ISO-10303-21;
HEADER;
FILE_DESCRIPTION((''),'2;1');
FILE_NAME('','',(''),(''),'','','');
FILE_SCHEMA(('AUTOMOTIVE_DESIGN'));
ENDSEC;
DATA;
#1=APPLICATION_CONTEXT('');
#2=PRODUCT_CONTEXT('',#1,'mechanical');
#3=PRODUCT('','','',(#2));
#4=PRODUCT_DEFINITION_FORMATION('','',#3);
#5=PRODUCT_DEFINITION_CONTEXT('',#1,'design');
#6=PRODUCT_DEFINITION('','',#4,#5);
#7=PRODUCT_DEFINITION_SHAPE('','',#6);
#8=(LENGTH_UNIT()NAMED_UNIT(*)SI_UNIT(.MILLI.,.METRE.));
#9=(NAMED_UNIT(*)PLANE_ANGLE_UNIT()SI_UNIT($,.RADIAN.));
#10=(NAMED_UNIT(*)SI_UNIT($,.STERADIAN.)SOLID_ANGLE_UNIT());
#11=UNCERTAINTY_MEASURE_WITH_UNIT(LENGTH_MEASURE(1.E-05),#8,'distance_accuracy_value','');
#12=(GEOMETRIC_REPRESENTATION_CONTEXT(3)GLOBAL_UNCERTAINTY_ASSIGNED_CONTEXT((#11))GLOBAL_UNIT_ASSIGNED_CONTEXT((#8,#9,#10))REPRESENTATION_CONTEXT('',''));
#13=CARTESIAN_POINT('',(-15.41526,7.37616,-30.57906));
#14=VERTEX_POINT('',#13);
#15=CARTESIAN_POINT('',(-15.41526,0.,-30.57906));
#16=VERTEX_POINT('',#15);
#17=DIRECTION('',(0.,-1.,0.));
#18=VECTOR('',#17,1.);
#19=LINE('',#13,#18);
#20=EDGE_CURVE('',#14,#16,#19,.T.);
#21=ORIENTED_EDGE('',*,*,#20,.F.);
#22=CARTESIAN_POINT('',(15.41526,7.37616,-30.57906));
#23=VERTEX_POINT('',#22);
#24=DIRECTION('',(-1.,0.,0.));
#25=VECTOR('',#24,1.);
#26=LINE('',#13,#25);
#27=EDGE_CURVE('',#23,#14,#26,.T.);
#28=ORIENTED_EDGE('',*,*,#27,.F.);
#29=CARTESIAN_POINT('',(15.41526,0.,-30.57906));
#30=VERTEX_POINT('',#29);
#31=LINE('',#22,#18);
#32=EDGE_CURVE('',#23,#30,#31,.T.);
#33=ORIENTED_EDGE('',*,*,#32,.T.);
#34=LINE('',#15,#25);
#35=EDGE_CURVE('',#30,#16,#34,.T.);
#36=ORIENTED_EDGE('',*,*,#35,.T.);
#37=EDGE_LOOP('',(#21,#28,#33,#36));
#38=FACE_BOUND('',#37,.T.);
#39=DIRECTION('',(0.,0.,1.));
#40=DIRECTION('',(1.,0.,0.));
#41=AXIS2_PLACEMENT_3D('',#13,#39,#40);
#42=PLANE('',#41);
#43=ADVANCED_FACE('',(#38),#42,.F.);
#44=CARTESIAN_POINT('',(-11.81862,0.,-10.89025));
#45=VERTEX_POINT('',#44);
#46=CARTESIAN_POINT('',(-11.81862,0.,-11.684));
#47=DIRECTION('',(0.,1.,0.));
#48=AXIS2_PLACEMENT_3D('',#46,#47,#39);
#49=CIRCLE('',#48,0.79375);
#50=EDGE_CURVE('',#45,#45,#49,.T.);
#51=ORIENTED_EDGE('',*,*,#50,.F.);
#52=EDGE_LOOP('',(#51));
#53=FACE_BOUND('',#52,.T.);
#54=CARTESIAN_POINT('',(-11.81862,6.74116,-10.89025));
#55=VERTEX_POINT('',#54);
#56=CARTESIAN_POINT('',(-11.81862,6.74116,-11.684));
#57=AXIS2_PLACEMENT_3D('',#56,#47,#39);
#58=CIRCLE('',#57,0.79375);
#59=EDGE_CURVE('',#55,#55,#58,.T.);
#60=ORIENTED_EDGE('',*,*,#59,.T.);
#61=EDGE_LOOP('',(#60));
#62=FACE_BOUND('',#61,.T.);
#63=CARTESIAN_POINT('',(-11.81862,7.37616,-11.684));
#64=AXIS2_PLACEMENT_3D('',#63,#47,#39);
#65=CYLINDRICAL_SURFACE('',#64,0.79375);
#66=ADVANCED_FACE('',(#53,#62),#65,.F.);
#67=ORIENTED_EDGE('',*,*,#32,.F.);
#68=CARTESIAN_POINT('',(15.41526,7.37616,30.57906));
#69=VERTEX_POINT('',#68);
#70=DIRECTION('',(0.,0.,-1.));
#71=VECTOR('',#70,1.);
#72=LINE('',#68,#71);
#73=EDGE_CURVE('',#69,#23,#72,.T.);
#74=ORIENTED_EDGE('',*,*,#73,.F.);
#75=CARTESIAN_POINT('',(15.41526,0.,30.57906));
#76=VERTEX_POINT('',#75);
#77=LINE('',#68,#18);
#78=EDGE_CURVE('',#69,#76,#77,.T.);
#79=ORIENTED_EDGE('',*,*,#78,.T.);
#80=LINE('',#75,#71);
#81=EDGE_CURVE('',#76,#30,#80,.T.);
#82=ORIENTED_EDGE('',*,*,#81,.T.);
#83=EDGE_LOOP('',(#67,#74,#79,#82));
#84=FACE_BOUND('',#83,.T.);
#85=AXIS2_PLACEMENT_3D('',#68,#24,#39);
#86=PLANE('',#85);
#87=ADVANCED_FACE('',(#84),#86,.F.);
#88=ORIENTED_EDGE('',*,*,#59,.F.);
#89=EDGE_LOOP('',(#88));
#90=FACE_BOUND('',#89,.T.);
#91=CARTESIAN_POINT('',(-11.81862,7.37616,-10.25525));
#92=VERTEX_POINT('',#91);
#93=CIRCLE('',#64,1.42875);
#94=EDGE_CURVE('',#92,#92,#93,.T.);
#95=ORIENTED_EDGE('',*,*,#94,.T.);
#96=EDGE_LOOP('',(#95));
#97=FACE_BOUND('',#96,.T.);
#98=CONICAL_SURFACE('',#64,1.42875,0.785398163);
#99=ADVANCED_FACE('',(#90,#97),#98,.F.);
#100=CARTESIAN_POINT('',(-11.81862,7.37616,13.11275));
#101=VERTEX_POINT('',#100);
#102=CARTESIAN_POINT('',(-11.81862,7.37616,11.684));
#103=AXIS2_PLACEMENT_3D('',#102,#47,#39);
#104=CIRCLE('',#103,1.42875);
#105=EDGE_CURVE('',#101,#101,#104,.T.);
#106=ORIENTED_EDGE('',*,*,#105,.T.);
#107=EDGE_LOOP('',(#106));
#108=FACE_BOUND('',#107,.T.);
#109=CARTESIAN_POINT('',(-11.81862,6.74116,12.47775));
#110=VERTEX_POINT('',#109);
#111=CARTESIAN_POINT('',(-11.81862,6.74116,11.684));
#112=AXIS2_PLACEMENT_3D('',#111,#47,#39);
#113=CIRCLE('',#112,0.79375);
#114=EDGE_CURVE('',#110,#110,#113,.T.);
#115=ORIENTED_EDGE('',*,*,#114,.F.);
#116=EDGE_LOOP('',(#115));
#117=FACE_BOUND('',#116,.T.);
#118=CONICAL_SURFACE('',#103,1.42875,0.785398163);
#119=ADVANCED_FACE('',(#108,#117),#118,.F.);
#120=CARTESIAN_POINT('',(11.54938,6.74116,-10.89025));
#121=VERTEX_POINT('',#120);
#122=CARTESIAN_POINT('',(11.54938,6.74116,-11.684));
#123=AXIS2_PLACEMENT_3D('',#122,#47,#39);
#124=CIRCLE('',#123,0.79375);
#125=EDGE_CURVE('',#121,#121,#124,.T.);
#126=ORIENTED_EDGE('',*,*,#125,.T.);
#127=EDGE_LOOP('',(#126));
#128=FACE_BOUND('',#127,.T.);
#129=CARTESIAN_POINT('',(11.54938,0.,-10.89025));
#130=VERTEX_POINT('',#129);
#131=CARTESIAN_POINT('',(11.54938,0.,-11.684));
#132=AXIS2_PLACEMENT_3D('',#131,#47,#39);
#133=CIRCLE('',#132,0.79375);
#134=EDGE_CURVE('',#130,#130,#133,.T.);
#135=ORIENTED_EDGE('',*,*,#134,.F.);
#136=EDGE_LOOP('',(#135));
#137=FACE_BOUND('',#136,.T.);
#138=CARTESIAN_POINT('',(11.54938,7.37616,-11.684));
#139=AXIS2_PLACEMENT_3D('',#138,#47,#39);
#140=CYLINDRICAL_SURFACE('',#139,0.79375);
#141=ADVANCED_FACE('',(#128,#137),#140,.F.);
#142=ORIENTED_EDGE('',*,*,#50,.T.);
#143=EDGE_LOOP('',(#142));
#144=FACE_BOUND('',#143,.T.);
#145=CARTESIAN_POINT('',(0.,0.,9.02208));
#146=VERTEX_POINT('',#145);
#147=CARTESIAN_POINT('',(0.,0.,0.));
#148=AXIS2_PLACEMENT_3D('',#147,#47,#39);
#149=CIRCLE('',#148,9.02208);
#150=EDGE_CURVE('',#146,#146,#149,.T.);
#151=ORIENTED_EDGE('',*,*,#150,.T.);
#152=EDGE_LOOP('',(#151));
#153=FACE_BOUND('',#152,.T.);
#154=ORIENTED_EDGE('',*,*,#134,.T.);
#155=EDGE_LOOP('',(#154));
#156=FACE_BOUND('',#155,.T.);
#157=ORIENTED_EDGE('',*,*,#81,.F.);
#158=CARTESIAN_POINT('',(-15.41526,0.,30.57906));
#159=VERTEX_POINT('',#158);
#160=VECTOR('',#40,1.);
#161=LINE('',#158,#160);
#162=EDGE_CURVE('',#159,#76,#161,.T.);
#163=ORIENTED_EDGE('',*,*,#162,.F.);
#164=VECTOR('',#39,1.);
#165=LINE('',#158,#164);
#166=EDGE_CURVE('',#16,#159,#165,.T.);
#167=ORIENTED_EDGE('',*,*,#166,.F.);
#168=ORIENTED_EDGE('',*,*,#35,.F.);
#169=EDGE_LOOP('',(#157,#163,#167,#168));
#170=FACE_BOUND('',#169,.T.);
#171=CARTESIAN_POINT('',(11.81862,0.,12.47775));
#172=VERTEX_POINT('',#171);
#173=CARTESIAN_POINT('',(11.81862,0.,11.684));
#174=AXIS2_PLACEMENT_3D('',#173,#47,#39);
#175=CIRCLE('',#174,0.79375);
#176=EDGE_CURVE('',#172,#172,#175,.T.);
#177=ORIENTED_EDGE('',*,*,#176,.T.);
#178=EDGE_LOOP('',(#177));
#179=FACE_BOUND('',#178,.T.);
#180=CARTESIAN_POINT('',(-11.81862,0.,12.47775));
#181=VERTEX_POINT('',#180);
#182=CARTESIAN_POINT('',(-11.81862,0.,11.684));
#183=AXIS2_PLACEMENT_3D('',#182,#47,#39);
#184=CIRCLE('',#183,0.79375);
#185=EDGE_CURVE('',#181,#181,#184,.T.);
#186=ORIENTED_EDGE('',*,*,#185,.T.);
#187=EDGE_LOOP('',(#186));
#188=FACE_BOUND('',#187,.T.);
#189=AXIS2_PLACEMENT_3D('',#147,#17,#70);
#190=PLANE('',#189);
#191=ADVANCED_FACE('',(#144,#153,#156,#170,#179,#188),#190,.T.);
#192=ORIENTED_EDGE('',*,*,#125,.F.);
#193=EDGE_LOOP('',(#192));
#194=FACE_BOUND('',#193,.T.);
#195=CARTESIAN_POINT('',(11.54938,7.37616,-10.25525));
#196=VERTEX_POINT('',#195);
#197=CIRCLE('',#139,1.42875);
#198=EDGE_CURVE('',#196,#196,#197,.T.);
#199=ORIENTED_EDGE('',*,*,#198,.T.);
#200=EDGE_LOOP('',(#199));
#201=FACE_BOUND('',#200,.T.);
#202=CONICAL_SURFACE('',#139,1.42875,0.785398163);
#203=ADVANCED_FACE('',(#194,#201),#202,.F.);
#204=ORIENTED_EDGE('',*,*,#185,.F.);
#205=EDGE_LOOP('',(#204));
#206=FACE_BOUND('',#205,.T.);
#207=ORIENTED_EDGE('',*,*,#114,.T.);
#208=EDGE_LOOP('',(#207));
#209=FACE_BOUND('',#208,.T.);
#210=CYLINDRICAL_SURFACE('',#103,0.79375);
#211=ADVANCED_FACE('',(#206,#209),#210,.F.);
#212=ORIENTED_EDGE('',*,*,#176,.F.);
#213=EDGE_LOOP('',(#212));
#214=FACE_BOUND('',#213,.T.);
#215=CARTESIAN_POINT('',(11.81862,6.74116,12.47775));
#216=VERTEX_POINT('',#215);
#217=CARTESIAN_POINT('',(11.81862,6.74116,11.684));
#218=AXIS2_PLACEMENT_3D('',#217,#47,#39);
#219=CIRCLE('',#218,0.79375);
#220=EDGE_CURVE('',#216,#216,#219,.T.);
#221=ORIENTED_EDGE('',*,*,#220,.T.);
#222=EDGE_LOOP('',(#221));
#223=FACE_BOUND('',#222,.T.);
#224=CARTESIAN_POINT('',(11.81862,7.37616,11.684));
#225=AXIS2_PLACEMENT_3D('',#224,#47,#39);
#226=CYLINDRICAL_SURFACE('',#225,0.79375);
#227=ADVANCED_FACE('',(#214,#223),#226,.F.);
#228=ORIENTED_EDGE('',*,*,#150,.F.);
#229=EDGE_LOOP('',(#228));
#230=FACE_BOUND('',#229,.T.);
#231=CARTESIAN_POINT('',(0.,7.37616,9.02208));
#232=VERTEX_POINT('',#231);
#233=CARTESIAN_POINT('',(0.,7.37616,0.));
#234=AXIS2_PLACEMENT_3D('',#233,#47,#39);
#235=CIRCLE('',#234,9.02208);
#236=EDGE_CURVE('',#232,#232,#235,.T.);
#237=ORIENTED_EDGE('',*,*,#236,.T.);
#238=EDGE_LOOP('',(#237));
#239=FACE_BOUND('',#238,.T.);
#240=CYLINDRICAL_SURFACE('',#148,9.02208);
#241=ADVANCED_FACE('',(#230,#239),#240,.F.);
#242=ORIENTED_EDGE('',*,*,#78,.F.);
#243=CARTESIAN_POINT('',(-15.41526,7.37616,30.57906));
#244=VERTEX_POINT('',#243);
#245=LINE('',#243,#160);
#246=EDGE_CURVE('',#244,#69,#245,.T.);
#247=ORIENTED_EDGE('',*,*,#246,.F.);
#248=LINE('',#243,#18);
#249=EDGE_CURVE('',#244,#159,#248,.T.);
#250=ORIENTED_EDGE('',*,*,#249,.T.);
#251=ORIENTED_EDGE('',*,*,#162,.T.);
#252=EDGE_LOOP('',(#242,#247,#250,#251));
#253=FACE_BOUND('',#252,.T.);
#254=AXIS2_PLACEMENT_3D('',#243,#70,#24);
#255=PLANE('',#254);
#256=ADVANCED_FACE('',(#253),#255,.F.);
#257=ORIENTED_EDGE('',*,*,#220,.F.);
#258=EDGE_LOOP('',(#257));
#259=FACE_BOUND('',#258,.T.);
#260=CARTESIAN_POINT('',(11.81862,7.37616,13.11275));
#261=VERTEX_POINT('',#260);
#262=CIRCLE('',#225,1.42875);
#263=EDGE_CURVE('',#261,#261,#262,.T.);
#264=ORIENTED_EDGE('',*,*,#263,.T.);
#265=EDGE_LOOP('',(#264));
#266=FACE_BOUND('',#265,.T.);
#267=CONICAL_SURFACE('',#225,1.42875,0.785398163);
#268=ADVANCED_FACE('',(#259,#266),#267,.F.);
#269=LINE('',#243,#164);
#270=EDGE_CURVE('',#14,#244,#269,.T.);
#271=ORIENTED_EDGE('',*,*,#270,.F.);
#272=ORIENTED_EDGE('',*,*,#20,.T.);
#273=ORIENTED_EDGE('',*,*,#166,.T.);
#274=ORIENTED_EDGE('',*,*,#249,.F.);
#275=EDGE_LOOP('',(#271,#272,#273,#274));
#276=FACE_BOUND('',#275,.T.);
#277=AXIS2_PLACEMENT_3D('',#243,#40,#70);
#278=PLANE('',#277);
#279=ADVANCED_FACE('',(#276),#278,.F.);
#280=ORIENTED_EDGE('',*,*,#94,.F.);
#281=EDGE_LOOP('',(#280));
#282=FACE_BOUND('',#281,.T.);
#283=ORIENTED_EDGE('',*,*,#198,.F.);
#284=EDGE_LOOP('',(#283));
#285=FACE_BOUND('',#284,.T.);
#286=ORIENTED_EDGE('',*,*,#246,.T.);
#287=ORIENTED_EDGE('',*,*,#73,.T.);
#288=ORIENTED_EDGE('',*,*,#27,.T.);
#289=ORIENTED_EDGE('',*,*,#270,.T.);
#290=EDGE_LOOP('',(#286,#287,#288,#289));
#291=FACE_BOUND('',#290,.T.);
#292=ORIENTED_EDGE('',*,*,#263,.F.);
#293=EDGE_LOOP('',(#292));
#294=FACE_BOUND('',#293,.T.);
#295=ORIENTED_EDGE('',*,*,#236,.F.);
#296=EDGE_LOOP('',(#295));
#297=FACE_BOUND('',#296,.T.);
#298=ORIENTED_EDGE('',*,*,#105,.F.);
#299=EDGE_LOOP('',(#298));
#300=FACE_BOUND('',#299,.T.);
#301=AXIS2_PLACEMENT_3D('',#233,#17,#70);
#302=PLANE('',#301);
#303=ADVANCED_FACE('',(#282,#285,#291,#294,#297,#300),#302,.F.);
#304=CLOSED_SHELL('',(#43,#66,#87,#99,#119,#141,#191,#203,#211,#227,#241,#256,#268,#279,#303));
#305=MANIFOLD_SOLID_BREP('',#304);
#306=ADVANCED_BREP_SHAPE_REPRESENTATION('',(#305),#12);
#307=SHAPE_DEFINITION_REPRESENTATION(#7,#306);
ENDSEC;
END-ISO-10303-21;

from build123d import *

# Parameters (mm, degrees)
SKETCH1_W                                = 30.83052
SKETCH1_H                                = 61.15812
BOSS_EXTRUDE1_DEPTH                      = 7.37616
SKETCH2_R                                = 9.02208
CUT_EXTRUDE1_DEPTH                       = 36.030228199
F_1_16_0_0625_DIAMETER_HOLE2_D           = 1.5875
F_1_16_0_0625_DIAMETER_HOLE2_CSINK_D     = 2.8575
F_1_16_0_0625_DIAMETER_HOLE2_CSINK_ANGLE = 90


with BuildPart() as part:
    # Sketch1 → Boss-Extrude1 (new body)
    with BuildSketch(Plane(origin=(0, 0, 0), x_dir=(1, 0, 0), z_dir=(0, 1, 0))):
        Rectangle(SKETCH1_W, SKETCH1_H)
    extrude(amount=BOSS_EXTRUDE1_DEPTH)

    # Sketch2 → Cut-Extrude1 (cut, through all)
    with BuildSketch(Plane(origin=(0, 7.37616, 0), x_dir=(1, 0, 0), z_dir=(0, 1, 0))):
        with Locations(Location((0, 0, 0), (0, 0, 270))):
            Circle(SKETCH2_R)
    extrude(amount=-CUT_EXTRUDE1_DEPTH, mode=Mode.SUBTRACT)

    # 1/16 (0.0625) Diameter Hole2 (through all)
    with Locations(Plane(origin=(0, 7.37616, 0), x_dir=(1, 0, 0), z_dir=(0, 1, 0))):
        with Locations((-11.81862, 11.684), (11.54938, 11.684), (11.81862, -11.684), (-11.81862, -11.684)):
            CounterSinkHole(F_1_16_0_0625_DIAMETER_HOLE2_D / 2, F_1_16_0_0625_DIAMETER_HOLE2_CSINK_D / 2, counter_sink_angle=F_1_16_0_0625_DIAMETER_HOLE2_CSINK_ANGLE)


solid = part.part
